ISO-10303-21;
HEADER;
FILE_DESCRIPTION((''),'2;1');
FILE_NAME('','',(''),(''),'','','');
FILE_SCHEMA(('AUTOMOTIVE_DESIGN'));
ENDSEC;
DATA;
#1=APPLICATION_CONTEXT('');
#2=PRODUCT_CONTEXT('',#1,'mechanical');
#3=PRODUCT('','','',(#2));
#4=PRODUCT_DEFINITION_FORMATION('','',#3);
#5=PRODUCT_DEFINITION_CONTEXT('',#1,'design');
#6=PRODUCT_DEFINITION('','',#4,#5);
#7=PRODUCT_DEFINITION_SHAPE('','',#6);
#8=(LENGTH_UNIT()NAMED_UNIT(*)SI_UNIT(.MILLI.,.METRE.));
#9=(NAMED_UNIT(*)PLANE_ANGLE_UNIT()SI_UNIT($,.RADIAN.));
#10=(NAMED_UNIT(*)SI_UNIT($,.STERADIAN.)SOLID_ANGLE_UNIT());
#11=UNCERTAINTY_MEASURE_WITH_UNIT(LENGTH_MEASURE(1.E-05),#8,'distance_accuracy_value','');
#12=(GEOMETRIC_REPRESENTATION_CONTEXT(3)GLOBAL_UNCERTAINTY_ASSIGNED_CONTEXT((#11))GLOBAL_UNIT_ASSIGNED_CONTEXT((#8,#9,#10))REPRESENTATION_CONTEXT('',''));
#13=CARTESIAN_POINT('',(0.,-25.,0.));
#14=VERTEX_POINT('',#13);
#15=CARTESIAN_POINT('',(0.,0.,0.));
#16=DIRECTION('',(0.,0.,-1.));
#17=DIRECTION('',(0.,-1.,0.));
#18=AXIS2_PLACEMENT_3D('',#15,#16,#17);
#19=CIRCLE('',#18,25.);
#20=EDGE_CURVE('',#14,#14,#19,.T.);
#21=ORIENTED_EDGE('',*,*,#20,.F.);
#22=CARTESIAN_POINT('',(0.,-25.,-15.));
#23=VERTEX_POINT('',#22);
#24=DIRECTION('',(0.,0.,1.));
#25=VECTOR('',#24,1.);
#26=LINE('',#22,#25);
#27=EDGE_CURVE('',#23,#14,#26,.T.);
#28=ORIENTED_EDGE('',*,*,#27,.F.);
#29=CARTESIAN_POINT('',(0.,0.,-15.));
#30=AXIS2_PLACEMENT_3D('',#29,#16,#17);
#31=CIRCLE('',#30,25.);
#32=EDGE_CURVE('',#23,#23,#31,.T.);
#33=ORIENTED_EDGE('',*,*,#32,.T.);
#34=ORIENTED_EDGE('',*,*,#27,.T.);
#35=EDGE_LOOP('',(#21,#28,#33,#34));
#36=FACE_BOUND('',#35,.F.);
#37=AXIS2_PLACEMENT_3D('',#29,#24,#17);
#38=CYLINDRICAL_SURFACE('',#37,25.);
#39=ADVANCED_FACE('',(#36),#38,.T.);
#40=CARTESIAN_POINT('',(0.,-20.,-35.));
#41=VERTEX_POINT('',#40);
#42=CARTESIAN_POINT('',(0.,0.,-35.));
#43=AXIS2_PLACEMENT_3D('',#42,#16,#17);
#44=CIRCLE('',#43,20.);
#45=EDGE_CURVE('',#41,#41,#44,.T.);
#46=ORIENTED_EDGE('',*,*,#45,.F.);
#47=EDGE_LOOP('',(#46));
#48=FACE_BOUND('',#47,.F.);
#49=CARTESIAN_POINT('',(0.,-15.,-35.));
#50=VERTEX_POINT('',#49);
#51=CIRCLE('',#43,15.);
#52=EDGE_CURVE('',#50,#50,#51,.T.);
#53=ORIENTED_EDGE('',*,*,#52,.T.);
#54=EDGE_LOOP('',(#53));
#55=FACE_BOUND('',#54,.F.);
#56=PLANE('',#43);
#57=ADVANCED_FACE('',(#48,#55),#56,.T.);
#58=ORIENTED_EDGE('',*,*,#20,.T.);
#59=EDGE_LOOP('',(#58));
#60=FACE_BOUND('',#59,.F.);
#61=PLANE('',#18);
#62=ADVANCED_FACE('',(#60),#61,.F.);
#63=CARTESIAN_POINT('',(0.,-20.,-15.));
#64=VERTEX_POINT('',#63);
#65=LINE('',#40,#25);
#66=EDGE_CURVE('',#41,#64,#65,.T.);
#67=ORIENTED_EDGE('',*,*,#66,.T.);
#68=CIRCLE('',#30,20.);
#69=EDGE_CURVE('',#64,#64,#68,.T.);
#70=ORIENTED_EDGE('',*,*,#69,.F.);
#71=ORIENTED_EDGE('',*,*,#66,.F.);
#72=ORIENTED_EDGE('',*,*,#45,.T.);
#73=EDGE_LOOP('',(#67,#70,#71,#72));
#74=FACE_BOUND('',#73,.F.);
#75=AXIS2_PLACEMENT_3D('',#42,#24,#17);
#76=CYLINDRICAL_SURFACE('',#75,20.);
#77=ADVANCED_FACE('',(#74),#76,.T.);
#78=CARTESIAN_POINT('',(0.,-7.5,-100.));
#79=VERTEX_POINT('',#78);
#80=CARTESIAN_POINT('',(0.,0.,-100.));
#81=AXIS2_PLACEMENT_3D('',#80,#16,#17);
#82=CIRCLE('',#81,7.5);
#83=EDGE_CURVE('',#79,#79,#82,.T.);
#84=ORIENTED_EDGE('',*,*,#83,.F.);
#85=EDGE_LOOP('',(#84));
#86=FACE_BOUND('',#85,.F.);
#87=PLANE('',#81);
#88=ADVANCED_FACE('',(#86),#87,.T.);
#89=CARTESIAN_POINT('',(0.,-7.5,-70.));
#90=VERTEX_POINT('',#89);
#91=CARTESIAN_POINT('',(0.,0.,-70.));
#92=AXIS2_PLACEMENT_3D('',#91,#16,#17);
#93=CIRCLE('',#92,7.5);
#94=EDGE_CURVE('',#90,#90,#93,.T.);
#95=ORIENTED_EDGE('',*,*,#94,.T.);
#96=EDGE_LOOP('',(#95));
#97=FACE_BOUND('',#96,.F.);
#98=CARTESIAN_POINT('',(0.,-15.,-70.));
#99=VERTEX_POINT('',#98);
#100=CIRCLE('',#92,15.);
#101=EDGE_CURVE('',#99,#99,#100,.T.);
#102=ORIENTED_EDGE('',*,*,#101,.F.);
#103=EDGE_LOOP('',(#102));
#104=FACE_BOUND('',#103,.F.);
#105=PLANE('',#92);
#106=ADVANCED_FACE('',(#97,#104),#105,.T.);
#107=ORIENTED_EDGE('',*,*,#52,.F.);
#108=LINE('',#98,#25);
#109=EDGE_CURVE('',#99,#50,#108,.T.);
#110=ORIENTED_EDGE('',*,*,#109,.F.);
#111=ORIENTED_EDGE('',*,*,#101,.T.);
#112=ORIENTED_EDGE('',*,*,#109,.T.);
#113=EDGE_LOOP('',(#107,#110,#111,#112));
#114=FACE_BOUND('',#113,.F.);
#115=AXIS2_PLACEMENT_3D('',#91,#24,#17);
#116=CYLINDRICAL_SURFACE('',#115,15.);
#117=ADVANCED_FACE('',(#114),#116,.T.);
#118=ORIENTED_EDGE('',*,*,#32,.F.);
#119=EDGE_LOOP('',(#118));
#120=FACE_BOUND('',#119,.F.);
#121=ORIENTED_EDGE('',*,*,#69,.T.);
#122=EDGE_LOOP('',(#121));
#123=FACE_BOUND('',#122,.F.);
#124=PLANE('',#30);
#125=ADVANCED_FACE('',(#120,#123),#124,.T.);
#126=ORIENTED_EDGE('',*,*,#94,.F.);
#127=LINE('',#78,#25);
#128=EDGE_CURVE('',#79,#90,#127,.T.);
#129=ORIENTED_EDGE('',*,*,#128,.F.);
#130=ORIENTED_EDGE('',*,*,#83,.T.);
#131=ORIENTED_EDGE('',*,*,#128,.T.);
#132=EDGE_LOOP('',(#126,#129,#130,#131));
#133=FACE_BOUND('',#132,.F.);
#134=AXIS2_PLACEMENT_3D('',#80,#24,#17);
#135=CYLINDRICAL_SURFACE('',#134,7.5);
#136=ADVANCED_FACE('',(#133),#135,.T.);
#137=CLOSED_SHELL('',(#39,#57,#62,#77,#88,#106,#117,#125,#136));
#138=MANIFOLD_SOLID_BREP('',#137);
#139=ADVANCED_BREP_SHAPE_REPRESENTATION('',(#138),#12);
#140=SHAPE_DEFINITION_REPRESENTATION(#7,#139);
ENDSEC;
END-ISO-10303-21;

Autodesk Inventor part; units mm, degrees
ref_plane "YZ Plane" through (0, 0, 0) normal (1, 0, 0) x (0, 1, 0)
ref_plane "XZ Plane" through (0, 0, 0) normal (0, 1, 0) x (-1, 0, 0)
ref_plane "XY Plane" through (0, 0, 0) normal (0, 0, 1) x (1, 0, 0)
sketch "Sketch1" plane through (0, 0, 0) normal (1, 0, 0) x (0, 1, 0)
  line L0 (0, 0) -> (0, -100)
  line L1 (0, -100) -> (7.5, -100)
  line L2 (7.5, -100) -> (7.5, -70)
  line L3 (7.5, -70) -> (15, -70)
  line L4 (15, -70) -> (15, -35)
  line L5 (15, -35) -> (20, -35)
  line L6 (20, -35) -> (20, -15)
  line L7 (20, -15) -> (25, -15)
  line L8 (25, -15) -> (25, 0)
  line L9 (25, 0) -> (0, 0)
  dimension "d0" = 100
  dimension "d1" = 15
  dimension "d2" = 20
  dimension "d3" = 35
  dimension "d4" = 15
  dimension "d5" = 30
  dimension "d6" = 40
  dimension "d7" = 50
revolve "Revolution1" add sketch "Sketch1" angle 360 mid plane about axis through (0, 0, 0) along (0, 0, -1)
